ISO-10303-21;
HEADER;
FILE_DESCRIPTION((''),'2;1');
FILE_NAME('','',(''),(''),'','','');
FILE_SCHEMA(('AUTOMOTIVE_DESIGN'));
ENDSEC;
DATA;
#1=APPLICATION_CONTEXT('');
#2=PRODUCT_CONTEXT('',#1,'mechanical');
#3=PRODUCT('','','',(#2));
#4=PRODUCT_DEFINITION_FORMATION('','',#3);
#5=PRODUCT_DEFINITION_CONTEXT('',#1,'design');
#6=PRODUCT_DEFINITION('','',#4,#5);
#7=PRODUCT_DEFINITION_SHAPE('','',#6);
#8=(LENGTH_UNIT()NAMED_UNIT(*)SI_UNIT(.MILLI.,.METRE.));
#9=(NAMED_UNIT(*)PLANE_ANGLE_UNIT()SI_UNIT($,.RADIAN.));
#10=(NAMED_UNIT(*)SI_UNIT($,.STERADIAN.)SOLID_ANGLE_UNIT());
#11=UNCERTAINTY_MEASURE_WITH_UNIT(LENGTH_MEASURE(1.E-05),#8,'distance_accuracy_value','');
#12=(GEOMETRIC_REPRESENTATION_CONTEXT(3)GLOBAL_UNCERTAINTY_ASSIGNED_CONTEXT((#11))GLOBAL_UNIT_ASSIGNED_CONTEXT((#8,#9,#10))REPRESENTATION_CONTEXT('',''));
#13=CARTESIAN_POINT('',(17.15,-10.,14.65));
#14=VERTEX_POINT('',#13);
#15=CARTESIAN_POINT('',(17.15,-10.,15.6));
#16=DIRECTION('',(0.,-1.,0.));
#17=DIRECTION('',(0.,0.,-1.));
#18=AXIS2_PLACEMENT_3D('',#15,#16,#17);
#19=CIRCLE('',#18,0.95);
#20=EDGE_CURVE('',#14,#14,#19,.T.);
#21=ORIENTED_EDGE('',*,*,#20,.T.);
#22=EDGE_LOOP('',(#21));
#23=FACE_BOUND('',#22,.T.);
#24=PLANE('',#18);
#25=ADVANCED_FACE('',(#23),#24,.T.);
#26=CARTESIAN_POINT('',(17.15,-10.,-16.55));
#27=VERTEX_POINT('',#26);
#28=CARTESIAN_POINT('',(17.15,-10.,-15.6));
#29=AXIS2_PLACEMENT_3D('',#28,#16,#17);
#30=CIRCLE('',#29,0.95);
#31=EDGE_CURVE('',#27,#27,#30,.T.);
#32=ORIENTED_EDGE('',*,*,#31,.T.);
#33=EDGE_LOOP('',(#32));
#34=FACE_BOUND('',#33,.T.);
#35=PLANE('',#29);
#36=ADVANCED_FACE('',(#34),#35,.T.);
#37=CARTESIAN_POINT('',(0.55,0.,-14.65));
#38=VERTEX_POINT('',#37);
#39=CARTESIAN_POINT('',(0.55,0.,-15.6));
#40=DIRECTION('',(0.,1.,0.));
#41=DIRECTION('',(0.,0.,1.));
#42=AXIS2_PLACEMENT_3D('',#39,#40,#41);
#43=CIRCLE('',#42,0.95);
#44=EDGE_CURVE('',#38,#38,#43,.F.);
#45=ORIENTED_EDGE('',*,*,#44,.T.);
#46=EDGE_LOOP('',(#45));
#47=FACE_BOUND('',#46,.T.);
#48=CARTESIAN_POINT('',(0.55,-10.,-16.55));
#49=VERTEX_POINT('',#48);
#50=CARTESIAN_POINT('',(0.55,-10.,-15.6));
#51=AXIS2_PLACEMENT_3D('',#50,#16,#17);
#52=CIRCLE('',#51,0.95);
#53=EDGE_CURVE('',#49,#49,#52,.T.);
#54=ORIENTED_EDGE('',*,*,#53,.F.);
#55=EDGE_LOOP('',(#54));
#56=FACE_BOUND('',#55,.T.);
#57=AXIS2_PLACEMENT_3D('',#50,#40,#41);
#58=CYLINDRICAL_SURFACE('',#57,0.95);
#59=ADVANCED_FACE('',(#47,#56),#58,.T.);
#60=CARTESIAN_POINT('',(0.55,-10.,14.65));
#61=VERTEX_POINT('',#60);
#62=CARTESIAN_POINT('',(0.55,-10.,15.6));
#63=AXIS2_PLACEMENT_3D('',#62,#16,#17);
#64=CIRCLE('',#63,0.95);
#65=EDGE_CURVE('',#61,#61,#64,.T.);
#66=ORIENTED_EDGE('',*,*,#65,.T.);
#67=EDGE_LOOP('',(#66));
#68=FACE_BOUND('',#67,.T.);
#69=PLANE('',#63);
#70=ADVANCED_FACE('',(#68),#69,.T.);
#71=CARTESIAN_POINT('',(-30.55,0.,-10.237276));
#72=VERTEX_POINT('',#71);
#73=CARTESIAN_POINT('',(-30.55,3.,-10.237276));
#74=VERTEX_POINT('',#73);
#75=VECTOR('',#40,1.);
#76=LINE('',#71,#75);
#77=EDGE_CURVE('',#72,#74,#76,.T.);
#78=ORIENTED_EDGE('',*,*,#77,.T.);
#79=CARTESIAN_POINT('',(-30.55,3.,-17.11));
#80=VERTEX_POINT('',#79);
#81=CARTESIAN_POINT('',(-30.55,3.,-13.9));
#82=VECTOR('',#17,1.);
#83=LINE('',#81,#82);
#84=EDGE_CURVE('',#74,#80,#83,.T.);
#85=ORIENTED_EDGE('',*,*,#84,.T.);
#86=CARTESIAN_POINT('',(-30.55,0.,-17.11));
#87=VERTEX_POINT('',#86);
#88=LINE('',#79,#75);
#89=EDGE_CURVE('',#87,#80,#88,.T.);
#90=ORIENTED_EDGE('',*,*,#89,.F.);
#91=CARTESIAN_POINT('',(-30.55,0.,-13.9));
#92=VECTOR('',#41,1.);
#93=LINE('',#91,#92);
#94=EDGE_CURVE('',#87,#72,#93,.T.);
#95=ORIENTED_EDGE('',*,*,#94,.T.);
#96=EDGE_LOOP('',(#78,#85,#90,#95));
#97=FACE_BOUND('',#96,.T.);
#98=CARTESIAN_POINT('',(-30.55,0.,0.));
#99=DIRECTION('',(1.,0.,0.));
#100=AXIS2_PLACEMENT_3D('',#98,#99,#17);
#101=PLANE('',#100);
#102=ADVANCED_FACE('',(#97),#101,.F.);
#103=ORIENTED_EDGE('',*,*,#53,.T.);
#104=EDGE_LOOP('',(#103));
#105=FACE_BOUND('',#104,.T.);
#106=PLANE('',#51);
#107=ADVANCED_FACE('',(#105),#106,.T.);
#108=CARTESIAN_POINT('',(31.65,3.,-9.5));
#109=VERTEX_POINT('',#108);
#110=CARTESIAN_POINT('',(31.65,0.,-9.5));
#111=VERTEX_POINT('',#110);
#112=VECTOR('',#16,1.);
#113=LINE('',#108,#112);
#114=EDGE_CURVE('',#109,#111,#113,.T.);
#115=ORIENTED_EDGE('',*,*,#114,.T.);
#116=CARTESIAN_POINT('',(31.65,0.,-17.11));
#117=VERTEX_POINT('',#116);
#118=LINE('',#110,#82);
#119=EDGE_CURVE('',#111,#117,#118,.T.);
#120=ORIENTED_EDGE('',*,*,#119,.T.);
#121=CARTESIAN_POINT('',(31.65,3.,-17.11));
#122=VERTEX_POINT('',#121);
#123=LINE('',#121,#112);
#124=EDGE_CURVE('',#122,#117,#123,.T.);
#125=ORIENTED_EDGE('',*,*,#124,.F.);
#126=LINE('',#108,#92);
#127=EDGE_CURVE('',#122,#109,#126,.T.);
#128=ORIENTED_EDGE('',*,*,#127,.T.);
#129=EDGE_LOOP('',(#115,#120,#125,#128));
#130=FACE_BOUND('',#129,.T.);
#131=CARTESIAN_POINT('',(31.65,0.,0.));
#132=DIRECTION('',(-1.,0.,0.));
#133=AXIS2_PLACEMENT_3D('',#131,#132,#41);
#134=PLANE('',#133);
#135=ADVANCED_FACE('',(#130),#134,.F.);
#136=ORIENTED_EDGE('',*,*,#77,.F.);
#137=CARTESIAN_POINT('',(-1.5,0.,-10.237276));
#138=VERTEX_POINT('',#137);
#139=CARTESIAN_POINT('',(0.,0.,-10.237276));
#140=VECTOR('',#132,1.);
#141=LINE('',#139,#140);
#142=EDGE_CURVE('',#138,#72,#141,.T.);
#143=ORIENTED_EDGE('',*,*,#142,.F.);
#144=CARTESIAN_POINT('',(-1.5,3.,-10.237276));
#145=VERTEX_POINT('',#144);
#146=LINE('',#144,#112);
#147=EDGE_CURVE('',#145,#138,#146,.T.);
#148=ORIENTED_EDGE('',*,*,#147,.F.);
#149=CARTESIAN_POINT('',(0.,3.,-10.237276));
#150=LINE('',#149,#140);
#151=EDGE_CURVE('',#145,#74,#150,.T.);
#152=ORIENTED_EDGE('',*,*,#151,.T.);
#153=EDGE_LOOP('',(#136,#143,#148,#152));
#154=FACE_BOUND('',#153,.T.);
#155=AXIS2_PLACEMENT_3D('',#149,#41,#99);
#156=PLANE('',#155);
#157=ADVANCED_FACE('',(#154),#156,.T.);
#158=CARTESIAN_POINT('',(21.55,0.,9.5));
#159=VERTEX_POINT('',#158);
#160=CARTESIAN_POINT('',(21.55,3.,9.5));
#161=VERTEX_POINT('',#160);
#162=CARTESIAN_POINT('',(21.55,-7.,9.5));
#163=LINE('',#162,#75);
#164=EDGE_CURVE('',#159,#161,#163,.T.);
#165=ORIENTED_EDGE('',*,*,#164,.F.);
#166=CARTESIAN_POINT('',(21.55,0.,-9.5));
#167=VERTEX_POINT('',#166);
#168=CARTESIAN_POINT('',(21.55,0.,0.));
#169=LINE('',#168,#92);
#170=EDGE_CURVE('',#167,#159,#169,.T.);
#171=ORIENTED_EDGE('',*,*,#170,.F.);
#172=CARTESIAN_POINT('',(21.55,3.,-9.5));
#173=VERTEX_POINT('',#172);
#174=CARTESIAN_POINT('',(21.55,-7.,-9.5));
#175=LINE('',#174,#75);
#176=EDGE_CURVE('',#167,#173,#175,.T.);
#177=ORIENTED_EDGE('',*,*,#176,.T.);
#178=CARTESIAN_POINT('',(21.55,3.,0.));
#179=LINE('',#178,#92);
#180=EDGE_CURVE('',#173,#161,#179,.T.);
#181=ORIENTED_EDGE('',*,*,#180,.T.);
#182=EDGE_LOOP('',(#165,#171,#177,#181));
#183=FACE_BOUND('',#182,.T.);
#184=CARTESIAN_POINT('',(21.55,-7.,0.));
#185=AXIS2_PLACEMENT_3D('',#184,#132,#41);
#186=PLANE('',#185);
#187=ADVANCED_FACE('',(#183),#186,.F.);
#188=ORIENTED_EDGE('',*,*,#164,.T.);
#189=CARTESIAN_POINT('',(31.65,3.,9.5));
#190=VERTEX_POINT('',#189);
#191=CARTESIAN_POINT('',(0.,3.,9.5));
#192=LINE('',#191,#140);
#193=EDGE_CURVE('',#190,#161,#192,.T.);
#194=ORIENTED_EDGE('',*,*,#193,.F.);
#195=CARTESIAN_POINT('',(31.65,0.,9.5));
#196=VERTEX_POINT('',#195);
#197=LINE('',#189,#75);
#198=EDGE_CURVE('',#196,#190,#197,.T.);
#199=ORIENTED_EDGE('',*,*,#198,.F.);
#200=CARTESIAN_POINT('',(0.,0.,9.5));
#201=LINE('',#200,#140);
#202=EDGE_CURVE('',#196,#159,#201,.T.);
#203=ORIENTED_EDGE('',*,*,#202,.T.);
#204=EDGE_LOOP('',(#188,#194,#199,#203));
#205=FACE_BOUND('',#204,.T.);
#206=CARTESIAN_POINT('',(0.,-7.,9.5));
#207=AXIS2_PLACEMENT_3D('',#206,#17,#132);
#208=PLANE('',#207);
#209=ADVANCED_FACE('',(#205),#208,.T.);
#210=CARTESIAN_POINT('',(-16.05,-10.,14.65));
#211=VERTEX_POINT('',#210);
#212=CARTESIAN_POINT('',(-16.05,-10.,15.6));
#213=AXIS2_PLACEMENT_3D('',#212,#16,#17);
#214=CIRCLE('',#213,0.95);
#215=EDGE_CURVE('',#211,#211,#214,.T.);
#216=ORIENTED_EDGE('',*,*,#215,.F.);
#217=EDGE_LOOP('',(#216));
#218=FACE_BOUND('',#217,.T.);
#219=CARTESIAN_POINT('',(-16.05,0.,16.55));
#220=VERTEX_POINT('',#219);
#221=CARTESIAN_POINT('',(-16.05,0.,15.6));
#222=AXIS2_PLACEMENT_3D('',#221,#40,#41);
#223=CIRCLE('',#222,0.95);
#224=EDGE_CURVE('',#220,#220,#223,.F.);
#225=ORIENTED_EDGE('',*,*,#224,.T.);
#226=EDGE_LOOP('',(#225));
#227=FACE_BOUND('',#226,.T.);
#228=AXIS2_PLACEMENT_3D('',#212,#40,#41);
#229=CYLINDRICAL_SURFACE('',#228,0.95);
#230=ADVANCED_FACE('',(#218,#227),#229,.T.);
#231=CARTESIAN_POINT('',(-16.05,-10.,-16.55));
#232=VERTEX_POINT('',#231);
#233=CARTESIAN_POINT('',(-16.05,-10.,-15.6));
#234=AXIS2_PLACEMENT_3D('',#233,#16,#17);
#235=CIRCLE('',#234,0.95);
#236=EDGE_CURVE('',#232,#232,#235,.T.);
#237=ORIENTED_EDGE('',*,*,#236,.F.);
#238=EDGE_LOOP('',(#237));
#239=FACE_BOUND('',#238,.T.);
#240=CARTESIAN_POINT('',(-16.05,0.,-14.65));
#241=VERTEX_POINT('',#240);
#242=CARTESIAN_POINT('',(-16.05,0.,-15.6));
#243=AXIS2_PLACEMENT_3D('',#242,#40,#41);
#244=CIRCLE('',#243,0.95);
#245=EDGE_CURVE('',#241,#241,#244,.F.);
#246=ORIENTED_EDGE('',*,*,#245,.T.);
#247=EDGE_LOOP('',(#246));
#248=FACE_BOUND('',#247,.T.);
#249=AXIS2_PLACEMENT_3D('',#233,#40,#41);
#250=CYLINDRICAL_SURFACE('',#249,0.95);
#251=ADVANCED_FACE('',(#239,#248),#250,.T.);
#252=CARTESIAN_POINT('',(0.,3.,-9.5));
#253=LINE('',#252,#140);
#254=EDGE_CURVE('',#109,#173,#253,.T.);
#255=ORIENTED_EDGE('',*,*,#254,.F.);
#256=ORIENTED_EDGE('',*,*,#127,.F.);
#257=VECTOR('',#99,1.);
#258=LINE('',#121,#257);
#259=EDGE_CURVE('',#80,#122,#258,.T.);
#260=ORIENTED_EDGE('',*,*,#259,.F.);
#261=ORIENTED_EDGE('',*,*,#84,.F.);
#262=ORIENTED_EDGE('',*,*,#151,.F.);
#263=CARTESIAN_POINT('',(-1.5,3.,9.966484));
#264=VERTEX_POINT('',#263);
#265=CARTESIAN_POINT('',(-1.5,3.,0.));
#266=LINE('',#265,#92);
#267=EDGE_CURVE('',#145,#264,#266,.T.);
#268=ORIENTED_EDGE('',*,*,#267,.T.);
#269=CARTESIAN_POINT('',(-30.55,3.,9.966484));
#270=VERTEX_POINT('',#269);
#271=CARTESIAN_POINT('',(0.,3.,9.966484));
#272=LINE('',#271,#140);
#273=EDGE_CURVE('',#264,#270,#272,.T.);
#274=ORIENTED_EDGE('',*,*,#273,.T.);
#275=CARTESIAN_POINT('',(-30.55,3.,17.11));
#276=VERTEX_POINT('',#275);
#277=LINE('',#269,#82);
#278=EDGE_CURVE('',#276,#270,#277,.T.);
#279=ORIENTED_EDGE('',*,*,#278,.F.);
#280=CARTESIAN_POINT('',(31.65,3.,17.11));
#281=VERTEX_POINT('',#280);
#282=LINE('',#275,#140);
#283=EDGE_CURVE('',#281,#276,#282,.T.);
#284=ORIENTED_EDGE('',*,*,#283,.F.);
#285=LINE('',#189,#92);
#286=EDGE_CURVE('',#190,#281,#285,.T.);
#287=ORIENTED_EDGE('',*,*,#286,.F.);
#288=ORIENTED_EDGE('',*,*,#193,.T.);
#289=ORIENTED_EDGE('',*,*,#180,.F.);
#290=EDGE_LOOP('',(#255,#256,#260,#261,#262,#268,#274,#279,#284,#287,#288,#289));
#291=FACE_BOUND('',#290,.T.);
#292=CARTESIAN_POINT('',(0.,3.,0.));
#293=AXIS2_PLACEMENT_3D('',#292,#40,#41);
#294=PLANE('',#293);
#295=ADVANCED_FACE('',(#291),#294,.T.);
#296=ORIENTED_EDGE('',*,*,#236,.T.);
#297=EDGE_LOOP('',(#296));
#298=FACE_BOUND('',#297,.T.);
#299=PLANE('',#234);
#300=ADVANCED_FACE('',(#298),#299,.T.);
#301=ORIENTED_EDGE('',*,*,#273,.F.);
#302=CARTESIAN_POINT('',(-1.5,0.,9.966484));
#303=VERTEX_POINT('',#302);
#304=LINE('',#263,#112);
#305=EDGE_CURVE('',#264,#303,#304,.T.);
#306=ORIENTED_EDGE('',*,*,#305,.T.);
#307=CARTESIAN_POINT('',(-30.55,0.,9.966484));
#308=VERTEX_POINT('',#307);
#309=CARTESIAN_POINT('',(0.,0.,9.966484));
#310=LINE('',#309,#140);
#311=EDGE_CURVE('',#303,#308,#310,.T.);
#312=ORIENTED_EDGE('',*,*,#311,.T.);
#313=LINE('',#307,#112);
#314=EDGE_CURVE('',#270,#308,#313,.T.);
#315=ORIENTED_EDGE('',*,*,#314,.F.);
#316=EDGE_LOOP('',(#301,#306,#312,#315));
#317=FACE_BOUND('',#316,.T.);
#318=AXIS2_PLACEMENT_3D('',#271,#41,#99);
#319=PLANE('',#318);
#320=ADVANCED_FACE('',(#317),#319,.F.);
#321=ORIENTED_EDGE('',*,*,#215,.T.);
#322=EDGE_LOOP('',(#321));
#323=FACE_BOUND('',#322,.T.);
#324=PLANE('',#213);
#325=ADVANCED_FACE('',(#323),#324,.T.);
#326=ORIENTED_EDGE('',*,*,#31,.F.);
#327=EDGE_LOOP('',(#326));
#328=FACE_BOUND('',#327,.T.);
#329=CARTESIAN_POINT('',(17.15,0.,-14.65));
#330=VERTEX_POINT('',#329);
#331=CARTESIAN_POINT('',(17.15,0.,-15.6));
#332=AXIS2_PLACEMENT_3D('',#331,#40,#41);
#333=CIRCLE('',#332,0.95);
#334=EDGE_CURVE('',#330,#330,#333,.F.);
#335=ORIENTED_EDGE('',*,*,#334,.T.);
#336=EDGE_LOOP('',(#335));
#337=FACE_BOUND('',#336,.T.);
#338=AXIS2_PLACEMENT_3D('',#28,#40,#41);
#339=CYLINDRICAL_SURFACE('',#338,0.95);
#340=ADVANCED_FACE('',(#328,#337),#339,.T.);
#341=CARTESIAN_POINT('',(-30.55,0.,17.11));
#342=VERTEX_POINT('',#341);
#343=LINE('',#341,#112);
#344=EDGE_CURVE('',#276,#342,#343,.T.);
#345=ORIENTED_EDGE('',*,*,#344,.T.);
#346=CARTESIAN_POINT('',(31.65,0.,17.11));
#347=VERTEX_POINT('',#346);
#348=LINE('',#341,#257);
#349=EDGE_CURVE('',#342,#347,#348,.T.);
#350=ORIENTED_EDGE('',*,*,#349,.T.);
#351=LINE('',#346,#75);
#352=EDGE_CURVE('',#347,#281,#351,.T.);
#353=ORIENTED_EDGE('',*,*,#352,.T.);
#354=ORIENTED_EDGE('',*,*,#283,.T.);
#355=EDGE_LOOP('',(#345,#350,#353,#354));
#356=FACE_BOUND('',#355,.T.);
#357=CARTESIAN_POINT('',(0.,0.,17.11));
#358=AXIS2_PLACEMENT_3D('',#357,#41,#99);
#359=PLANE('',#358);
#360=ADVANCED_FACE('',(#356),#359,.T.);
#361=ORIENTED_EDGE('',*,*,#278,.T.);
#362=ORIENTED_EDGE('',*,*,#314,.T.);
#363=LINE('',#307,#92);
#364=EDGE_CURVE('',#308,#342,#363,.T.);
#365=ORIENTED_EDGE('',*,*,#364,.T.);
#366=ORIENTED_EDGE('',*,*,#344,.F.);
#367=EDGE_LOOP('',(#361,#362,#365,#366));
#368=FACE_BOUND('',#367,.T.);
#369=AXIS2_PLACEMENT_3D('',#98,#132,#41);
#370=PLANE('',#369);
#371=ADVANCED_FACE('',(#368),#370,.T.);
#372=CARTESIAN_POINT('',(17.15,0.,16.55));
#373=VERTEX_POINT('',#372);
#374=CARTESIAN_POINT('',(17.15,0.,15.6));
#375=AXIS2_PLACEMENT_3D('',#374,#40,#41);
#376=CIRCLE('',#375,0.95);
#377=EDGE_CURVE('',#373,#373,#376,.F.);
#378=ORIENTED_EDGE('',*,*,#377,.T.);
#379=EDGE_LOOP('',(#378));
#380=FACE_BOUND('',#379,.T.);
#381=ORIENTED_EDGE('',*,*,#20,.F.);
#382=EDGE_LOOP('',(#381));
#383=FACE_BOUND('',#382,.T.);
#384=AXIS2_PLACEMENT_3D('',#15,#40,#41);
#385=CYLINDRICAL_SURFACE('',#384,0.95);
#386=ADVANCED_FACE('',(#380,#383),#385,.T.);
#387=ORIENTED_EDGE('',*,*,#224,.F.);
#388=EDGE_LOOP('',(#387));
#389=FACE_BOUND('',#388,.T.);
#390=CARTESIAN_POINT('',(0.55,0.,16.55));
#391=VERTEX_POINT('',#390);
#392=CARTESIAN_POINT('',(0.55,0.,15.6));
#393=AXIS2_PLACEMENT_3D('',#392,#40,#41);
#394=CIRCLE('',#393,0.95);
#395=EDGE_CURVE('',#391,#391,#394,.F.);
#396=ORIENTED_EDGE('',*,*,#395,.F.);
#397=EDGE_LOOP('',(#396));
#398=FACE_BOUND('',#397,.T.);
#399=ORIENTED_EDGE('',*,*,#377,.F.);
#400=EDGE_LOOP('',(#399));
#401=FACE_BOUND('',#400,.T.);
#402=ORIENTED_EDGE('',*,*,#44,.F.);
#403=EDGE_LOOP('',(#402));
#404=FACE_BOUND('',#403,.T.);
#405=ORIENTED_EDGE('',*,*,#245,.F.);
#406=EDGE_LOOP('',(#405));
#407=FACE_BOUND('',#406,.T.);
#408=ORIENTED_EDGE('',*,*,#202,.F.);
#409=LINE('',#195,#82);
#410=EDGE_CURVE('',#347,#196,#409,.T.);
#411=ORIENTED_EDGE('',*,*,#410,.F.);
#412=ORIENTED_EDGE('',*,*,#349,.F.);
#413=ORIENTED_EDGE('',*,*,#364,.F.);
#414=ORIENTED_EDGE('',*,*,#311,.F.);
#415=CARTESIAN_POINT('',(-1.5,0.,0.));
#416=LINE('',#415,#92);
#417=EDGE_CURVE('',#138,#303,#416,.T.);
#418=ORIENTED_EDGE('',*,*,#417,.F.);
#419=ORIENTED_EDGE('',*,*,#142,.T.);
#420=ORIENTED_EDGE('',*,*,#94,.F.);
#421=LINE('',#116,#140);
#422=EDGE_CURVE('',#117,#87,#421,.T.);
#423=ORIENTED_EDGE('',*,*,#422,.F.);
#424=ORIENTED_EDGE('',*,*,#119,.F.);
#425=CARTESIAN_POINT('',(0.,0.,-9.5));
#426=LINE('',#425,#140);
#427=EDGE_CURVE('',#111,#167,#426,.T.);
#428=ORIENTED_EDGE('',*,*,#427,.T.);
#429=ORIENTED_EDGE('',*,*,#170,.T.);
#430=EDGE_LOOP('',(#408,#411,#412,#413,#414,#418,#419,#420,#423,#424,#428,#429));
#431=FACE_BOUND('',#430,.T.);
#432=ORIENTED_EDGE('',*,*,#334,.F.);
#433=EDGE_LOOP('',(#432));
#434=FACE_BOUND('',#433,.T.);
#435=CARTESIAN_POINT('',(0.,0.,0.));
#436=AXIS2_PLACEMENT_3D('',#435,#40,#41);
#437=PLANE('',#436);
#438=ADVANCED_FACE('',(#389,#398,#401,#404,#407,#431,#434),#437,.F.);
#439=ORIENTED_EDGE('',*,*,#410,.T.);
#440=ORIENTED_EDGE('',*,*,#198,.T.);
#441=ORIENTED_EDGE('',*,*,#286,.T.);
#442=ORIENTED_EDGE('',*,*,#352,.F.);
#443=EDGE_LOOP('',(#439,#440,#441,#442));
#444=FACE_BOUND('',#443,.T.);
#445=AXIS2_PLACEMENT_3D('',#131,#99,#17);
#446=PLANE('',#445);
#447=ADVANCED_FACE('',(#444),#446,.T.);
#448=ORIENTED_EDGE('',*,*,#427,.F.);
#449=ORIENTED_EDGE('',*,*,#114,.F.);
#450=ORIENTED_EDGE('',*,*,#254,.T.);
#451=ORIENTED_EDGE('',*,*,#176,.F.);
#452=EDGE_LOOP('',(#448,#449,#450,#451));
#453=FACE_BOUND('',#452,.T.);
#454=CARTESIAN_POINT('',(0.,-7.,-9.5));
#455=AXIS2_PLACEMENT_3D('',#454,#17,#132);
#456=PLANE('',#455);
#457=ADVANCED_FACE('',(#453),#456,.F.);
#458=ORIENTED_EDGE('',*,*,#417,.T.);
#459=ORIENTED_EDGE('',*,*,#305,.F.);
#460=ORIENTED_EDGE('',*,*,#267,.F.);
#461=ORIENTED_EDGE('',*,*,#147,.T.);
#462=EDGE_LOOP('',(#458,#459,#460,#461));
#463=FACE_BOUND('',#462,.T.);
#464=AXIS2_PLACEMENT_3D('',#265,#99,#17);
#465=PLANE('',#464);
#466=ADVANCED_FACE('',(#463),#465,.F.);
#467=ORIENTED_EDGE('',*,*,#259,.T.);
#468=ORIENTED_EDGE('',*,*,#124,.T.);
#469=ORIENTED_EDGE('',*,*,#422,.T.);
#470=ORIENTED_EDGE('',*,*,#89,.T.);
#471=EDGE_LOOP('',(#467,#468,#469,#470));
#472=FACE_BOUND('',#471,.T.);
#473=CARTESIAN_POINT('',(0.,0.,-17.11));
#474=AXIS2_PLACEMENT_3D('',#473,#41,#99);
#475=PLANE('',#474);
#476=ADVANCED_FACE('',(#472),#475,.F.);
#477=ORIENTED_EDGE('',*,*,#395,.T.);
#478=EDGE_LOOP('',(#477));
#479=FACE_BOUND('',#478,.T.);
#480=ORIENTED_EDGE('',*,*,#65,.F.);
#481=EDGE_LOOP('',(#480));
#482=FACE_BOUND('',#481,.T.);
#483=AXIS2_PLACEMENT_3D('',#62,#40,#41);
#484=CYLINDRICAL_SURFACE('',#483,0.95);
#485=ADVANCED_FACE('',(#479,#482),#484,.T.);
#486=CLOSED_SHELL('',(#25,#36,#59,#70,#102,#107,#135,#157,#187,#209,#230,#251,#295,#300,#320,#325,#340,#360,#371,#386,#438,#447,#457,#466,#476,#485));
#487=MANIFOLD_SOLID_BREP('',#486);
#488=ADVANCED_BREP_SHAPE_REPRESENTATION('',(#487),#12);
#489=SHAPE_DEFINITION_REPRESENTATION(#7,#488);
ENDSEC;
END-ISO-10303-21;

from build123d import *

# Parameters (mm, degrees)
SKETCH1_W           = 55.1
SKETCH1_H           = 27.8
BOSS_EXTRUDE1_DEPTH = 3
SKETCH3_W           = 21.65
SKETCH3_H           = 20.203759547
SKETCH3_W_2         = 17.65
SKETCH3_H_2         = 15.75
CUT_EXTRUDE1_DEPTH  = 32.00342723
SKETCH4_W           = 19.154601746
SKETCH4_H           = 20.203759547
CUT_EXTRUDE2_DEPTH  = 32.00342723
CUT_EXTRUDE3_DEPTH  = 10
SKETCH7_W           = 4.4
SKETCH7_H           = 3
BOSS_EXTRUDE2_DEPTH = 4.1
SKETCH8_W           = 3.662724417
SKETCH8_H           = 3
SKETCH8_W_2         = 3.933516036
BOSS_EXTRUDE3_DEPTH = 3
SKETCH9_W           = 62.2
SKETCH9_H           = 3
BOSS_EXTRUDE4_DEPTH = 3.21
SKETCH10_W          = 62.2
SKETCH10_H          = 3
BOSS_EXTRUDE5_DEPTH = 3.21
SKETCH11_R          = 0.95
BOSS_EXTRUDE6_DEPTH = 10


with BuildPart() as part:
    # Sketch1 → Boss-Extrude1 (new body)
    with BuildSketch(Plane(origin=(0, 0, 0), x_dir=(1, 0, 0), z_dir=(0, 1, 0))):
        Rectangle(SKETCH1_W, SKETCH1_H)
    extrude(amount=BOSS_EXTRUDE1_DEPTH)

    # Sketch3 → Cut-Extrude1 (cut, through all)
    # profile 1 of 2: a face of its own
    with BuildSketch(Plane.XZ):
        with Locations((-12.325, -0.13539581)):
            Rectangle(SKETCH3_W, SKETCH3_H)
        with Locations((-12.325, -0.375)):
            Rectangle(SKETCH3_W_2, SKETCH3_H_2, mode=Mode.SUBTRACT)
    # profile 2 of 2: a face of its own
    with BuildSketch(Plane.XZ):
        with Locations((-12.325, -0.375)):
            Rectangle(SKETCH3_W_2, SKETCH3_H_2)
    extrude(amount=-CUT_EXTRUDE1_DEPTH, mode=Mode.SUBTRACT)

    # Sketch4 → Cut-Extrude2 (cut, through all)
    with BuildSketch(Plane(origin=(0, 3, 0), x_dir=(1, 0, 0), z_dir=(0, 1, 0))):
        with Locations((-32.727300873, 0.13539581)):
            Rectangle(SKETCH4_W, SKETCH4_H)
    extrude(amount=-CUT_EXTRUDE2_DEPTH, mode=Mode.SUBTRACT)

    # Sketch5 → Cut-Extrude3 (cut)
    with BuildSketch(Plane(origin=(0, 3, 0), x_dir=(1, 0, 0), z_dir=(0, 1, 0))):
        Polygon((27.55, -9.5), (27.55, 0), (27.55, 9.5), (21.55, 9.5), (21.55, -9.5), align=None)
    extrude(amount=-CUT_EXTRUDE3_DEPTH, mode=Mode.SUBTRACT)

    # Sketch7 → Boss-Extrude2 (add)
    with BuildSketch(Plane(origin=(27.55, 0, 0), x_dir=(0, 0, -1), z_dir=(1, 0, 0))):
        with Locations((11.7, 1.5)):
            Rectangle(SKETCH7_W, SKETCH7_H)
        with Locations((-11.7, 1.5)):
            Rectangle(SKETCH7_W, SKETCH7_H)
    extrude(amount=BOSS_EXTRUDE2_DEPTH)

    # Sketch8 → Boss-Extrude3 (add)
    with BuildSketch(Plane.ZY.offset(27.55)):
        with Locations((-12.068637792, 1.5)):
            Rectangle(SKETCH8_W, SKETCH8_H)
        with Locations((11.933241982, 1.5)):
            Rectangle(SKETCH8_W_2, SKETCH8_H)
    extrude(amount=BOSS_EXTRUDE3_DEPTH)

    # Sketch9 → Boss-Extrude4 (add)
    with BuildSketch(Plane(origin=(0, 0, -13.9), x_dir=(-1, 0, 0), z_dir=(0, 0, -1))):
        with Locations((-0.55, 1.5)):
            Rectangle(SKETCH9_W, SKETCH9_H)
    extrude(amount=BOSS_EXTRUDE4_DEPTH)

    # Sketch10 → Boss-Extrude5 (add)
    with BuildSketch(Plane.XY.offset(13.9)):
        with Locations((0.55, 1.5)):
            Rectangle(SKETCH10_W, SKETCH10_H)
    extrude(amount=BOSS_EXTRUDE5_DEPTH)

    # Sketch11 → Boss-Extrude6 (add)
    with BuildSketch(Plane.XZ):
        with Locations(Location((-16.05, 15.6, 0), (0, 0, 90))):
            Circle(SKETCH11_R)
        with Locations(Location((-16.05, -15.6, 0), (0, 0, 90))):
            Circle(SKETCH11_R)
        with Locations(Location((0.55, -15.6, 0), (0, 0, 90))):
            Circle(SKETCH11_R)
        with Locations(Location((0.55, 15.6, 0), (0, 0, 90))):
            Circle(SKETCH11_R)
        with Locations(Location((17.15, 15.6, 0), (0, 0, 90))):
            Circle(SKETCH11_R)
        with Locations(Location((17.15, -15.6, 0), (0, 0, 90))):
            Circle(SKETCH11_R)
    extrude(amount=BOSS_EXTRUDE6_DEPTH)


solid = part.part
